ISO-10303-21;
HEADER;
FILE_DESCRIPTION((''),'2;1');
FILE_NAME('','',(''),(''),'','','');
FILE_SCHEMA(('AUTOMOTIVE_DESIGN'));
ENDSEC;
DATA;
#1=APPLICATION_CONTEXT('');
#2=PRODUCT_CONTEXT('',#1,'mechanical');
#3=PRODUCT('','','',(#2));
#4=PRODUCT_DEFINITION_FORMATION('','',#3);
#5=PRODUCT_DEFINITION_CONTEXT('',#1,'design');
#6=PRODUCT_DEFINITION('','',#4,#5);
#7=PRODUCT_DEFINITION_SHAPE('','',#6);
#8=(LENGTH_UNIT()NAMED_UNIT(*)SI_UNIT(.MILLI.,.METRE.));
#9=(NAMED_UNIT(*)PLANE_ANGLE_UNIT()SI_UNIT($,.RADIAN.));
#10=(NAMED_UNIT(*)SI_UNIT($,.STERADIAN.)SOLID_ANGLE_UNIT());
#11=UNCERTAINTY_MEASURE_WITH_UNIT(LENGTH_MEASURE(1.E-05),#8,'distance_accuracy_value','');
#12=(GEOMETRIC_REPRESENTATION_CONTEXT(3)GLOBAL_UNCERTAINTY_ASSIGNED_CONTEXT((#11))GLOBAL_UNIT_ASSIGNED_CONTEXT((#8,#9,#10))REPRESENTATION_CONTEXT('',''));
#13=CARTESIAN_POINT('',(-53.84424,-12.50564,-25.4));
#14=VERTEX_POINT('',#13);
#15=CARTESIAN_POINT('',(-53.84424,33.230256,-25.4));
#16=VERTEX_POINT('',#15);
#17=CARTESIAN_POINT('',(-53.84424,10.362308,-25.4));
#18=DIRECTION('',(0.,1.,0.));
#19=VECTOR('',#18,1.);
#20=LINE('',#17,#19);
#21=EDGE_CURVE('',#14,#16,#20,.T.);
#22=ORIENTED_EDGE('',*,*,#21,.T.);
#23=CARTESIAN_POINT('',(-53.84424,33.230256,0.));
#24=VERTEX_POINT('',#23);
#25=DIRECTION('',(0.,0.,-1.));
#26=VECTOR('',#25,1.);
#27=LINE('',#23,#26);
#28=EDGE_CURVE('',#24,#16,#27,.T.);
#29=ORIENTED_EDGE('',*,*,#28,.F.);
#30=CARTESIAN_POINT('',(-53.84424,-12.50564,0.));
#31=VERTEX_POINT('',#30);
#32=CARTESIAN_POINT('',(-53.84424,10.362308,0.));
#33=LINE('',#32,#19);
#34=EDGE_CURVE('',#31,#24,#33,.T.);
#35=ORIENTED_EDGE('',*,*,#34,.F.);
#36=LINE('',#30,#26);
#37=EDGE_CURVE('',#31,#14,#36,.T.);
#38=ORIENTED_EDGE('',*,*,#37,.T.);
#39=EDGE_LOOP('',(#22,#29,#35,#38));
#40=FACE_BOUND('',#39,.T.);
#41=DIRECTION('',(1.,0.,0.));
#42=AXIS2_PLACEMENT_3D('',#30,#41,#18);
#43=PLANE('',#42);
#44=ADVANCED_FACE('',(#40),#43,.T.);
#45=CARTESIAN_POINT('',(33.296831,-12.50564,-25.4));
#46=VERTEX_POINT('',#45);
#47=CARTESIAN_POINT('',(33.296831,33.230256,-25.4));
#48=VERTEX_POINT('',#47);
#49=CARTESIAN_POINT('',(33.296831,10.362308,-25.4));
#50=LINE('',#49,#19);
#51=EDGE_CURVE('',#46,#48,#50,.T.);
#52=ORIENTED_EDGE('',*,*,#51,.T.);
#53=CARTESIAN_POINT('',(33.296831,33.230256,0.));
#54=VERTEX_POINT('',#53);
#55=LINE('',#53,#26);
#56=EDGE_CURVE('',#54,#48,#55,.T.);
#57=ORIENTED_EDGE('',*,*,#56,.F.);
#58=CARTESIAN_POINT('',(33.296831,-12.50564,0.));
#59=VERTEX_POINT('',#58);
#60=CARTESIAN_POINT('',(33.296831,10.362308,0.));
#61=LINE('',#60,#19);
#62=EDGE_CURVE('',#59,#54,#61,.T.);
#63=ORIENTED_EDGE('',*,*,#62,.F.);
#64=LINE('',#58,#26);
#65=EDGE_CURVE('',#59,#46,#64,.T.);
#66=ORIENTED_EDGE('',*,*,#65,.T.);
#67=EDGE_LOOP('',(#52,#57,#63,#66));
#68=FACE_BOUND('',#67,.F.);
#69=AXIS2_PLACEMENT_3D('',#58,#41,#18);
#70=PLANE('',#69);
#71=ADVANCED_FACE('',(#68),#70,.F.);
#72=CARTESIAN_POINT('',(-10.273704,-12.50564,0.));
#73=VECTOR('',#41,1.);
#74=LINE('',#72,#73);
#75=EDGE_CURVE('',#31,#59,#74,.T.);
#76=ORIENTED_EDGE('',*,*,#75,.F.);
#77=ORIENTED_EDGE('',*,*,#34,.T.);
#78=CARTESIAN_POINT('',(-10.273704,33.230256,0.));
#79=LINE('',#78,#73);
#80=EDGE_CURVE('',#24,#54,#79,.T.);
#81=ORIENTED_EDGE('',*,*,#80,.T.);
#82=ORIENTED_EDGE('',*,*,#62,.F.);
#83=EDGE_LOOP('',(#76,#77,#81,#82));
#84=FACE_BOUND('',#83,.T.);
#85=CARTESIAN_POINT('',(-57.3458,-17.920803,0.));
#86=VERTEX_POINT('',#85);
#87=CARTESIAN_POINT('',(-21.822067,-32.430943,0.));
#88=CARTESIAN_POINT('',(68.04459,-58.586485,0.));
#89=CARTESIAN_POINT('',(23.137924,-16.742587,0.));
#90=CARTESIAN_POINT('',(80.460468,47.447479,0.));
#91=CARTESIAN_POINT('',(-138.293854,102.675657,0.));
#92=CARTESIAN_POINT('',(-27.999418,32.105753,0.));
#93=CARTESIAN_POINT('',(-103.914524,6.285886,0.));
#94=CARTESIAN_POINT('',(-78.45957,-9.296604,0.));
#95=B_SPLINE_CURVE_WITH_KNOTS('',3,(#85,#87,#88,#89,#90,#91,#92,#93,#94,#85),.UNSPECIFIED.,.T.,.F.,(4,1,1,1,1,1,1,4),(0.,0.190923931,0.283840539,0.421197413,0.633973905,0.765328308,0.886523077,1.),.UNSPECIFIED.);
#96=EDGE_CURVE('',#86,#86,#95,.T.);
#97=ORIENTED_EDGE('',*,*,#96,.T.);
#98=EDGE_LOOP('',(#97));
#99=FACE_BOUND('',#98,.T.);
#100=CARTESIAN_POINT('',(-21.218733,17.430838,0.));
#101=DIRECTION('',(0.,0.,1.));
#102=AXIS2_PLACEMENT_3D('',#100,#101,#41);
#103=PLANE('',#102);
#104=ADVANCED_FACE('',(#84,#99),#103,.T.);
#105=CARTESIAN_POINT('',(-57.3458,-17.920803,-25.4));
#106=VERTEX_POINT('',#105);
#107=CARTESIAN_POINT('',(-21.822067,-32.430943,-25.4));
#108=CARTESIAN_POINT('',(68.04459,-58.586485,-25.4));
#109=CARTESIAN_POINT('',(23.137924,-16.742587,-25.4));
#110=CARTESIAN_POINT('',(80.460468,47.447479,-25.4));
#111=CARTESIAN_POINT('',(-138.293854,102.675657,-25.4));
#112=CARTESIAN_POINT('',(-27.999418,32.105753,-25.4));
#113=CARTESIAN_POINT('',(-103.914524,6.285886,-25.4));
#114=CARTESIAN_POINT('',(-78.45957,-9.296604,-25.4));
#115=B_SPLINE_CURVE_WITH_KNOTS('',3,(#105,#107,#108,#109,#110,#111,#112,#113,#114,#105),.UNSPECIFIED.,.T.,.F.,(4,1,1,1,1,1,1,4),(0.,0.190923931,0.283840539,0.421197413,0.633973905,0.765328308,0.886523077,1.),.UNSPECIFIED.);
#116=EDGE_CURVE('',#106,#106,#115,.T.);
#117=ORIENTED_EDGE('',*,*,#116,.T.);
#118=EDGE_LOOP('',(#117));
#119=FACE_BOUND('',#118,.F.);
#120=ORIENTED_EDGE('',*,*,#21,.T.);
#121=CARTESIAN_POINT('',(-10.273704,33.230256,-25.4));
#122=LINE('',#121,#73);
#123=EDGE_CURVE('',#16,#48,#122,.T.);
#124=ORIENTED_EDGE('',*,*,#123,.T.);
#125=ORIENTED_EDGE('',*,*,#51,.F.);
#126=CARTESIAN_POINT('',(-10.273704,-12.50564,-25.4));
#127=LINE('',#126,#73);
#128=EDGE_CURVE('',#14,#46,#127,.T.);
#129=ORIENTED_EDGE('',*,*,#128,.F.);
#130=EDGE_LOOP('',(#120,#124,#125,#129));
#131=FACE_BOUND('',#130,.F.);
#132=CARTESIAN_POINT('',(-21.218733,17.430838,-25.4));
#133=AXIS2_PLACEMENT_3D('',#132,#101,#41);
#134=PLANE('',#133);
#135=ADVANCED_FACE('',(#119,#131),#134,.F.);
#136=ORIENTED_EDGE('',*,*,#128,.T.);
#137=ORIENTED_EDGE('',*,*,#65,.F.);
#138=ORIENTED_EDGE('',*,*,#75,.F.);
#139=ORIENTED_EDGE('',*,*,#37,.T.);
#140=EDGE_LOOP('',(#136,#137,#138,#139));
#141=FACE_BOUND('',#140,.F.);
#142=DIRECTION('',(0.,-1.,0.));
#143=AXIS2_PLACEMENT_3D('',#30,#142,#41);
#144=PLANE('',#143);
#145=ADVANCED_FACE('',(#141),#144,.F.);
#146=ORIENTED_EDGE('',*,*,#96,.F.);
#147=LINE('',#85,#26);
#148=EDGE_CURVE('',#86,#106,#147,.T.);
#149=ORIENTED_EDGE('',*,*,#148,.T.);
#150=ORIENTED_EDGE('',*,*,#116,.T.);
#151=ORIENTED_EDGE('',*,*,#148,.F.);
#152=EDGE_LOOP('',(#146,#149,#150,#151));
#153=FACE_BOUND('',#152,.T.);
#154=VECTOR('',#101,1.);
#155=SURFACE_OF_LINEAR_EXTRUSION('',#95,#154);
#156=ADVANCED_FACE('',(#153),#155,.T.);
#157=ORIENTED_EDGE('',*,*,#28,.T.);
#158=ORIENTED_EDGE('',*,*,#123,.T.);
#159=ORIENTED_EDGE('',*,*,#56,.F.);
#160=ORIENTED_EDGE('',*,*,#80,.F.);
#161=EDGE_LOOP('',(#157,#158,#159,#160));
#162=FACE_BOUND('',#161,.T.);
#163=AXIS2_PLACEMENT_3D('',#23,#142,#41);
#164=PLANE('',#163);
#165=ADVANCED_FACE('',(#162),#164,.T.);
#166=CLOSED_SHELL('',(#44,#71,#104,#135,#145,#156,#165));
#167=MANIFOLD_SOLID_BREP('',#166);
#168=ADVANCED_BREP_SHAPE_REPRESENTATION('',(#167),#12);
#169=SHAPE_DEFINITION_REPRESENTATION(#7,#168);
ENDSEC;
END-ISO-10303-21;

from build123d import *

# Parameters (mm, degrees)
F0_W     = 87.1410705149
F0_H     = 45.735896565
F1_DEPTH = 25.4


with BuildPart() as f1:
    # F0 (on Top) → F1 (new body)
    with BuildSketch(Plane.XY):
        with BuildLine():
            add(Edge.make_bspline(
                [(-57.3458001018, -17.9208032787), (-21.8220668083, -32.4309427125), (68.0445899067, -58.586485429), (23.1379238804, -16.7425873508), (80.4604683658, 47.4474787451), (-138.2938543528, 102.6756568733), (-27.9994182177, 32.1057526553), (-103.914524452, 6.2858862925), (-78.459570095, -9.2966042384), (-57.3458001018, -17.9208032787)],
                knots=[0, 0, 0, 0, 0.1909239307, 0.2838405387, 0.4211974133, 0.6339739051, 0.7653283081, 0.8865230767, 1, 1, 1, 1], degree=3))
        make_face()
        with Locations((-10.2737043053, 10.3623080067)):
            Rectangle(F0_W, F0_H, mode=Mode.SUBTRACT)
    extrude(amount=-F1_DEPTH)


solid = f1.part
